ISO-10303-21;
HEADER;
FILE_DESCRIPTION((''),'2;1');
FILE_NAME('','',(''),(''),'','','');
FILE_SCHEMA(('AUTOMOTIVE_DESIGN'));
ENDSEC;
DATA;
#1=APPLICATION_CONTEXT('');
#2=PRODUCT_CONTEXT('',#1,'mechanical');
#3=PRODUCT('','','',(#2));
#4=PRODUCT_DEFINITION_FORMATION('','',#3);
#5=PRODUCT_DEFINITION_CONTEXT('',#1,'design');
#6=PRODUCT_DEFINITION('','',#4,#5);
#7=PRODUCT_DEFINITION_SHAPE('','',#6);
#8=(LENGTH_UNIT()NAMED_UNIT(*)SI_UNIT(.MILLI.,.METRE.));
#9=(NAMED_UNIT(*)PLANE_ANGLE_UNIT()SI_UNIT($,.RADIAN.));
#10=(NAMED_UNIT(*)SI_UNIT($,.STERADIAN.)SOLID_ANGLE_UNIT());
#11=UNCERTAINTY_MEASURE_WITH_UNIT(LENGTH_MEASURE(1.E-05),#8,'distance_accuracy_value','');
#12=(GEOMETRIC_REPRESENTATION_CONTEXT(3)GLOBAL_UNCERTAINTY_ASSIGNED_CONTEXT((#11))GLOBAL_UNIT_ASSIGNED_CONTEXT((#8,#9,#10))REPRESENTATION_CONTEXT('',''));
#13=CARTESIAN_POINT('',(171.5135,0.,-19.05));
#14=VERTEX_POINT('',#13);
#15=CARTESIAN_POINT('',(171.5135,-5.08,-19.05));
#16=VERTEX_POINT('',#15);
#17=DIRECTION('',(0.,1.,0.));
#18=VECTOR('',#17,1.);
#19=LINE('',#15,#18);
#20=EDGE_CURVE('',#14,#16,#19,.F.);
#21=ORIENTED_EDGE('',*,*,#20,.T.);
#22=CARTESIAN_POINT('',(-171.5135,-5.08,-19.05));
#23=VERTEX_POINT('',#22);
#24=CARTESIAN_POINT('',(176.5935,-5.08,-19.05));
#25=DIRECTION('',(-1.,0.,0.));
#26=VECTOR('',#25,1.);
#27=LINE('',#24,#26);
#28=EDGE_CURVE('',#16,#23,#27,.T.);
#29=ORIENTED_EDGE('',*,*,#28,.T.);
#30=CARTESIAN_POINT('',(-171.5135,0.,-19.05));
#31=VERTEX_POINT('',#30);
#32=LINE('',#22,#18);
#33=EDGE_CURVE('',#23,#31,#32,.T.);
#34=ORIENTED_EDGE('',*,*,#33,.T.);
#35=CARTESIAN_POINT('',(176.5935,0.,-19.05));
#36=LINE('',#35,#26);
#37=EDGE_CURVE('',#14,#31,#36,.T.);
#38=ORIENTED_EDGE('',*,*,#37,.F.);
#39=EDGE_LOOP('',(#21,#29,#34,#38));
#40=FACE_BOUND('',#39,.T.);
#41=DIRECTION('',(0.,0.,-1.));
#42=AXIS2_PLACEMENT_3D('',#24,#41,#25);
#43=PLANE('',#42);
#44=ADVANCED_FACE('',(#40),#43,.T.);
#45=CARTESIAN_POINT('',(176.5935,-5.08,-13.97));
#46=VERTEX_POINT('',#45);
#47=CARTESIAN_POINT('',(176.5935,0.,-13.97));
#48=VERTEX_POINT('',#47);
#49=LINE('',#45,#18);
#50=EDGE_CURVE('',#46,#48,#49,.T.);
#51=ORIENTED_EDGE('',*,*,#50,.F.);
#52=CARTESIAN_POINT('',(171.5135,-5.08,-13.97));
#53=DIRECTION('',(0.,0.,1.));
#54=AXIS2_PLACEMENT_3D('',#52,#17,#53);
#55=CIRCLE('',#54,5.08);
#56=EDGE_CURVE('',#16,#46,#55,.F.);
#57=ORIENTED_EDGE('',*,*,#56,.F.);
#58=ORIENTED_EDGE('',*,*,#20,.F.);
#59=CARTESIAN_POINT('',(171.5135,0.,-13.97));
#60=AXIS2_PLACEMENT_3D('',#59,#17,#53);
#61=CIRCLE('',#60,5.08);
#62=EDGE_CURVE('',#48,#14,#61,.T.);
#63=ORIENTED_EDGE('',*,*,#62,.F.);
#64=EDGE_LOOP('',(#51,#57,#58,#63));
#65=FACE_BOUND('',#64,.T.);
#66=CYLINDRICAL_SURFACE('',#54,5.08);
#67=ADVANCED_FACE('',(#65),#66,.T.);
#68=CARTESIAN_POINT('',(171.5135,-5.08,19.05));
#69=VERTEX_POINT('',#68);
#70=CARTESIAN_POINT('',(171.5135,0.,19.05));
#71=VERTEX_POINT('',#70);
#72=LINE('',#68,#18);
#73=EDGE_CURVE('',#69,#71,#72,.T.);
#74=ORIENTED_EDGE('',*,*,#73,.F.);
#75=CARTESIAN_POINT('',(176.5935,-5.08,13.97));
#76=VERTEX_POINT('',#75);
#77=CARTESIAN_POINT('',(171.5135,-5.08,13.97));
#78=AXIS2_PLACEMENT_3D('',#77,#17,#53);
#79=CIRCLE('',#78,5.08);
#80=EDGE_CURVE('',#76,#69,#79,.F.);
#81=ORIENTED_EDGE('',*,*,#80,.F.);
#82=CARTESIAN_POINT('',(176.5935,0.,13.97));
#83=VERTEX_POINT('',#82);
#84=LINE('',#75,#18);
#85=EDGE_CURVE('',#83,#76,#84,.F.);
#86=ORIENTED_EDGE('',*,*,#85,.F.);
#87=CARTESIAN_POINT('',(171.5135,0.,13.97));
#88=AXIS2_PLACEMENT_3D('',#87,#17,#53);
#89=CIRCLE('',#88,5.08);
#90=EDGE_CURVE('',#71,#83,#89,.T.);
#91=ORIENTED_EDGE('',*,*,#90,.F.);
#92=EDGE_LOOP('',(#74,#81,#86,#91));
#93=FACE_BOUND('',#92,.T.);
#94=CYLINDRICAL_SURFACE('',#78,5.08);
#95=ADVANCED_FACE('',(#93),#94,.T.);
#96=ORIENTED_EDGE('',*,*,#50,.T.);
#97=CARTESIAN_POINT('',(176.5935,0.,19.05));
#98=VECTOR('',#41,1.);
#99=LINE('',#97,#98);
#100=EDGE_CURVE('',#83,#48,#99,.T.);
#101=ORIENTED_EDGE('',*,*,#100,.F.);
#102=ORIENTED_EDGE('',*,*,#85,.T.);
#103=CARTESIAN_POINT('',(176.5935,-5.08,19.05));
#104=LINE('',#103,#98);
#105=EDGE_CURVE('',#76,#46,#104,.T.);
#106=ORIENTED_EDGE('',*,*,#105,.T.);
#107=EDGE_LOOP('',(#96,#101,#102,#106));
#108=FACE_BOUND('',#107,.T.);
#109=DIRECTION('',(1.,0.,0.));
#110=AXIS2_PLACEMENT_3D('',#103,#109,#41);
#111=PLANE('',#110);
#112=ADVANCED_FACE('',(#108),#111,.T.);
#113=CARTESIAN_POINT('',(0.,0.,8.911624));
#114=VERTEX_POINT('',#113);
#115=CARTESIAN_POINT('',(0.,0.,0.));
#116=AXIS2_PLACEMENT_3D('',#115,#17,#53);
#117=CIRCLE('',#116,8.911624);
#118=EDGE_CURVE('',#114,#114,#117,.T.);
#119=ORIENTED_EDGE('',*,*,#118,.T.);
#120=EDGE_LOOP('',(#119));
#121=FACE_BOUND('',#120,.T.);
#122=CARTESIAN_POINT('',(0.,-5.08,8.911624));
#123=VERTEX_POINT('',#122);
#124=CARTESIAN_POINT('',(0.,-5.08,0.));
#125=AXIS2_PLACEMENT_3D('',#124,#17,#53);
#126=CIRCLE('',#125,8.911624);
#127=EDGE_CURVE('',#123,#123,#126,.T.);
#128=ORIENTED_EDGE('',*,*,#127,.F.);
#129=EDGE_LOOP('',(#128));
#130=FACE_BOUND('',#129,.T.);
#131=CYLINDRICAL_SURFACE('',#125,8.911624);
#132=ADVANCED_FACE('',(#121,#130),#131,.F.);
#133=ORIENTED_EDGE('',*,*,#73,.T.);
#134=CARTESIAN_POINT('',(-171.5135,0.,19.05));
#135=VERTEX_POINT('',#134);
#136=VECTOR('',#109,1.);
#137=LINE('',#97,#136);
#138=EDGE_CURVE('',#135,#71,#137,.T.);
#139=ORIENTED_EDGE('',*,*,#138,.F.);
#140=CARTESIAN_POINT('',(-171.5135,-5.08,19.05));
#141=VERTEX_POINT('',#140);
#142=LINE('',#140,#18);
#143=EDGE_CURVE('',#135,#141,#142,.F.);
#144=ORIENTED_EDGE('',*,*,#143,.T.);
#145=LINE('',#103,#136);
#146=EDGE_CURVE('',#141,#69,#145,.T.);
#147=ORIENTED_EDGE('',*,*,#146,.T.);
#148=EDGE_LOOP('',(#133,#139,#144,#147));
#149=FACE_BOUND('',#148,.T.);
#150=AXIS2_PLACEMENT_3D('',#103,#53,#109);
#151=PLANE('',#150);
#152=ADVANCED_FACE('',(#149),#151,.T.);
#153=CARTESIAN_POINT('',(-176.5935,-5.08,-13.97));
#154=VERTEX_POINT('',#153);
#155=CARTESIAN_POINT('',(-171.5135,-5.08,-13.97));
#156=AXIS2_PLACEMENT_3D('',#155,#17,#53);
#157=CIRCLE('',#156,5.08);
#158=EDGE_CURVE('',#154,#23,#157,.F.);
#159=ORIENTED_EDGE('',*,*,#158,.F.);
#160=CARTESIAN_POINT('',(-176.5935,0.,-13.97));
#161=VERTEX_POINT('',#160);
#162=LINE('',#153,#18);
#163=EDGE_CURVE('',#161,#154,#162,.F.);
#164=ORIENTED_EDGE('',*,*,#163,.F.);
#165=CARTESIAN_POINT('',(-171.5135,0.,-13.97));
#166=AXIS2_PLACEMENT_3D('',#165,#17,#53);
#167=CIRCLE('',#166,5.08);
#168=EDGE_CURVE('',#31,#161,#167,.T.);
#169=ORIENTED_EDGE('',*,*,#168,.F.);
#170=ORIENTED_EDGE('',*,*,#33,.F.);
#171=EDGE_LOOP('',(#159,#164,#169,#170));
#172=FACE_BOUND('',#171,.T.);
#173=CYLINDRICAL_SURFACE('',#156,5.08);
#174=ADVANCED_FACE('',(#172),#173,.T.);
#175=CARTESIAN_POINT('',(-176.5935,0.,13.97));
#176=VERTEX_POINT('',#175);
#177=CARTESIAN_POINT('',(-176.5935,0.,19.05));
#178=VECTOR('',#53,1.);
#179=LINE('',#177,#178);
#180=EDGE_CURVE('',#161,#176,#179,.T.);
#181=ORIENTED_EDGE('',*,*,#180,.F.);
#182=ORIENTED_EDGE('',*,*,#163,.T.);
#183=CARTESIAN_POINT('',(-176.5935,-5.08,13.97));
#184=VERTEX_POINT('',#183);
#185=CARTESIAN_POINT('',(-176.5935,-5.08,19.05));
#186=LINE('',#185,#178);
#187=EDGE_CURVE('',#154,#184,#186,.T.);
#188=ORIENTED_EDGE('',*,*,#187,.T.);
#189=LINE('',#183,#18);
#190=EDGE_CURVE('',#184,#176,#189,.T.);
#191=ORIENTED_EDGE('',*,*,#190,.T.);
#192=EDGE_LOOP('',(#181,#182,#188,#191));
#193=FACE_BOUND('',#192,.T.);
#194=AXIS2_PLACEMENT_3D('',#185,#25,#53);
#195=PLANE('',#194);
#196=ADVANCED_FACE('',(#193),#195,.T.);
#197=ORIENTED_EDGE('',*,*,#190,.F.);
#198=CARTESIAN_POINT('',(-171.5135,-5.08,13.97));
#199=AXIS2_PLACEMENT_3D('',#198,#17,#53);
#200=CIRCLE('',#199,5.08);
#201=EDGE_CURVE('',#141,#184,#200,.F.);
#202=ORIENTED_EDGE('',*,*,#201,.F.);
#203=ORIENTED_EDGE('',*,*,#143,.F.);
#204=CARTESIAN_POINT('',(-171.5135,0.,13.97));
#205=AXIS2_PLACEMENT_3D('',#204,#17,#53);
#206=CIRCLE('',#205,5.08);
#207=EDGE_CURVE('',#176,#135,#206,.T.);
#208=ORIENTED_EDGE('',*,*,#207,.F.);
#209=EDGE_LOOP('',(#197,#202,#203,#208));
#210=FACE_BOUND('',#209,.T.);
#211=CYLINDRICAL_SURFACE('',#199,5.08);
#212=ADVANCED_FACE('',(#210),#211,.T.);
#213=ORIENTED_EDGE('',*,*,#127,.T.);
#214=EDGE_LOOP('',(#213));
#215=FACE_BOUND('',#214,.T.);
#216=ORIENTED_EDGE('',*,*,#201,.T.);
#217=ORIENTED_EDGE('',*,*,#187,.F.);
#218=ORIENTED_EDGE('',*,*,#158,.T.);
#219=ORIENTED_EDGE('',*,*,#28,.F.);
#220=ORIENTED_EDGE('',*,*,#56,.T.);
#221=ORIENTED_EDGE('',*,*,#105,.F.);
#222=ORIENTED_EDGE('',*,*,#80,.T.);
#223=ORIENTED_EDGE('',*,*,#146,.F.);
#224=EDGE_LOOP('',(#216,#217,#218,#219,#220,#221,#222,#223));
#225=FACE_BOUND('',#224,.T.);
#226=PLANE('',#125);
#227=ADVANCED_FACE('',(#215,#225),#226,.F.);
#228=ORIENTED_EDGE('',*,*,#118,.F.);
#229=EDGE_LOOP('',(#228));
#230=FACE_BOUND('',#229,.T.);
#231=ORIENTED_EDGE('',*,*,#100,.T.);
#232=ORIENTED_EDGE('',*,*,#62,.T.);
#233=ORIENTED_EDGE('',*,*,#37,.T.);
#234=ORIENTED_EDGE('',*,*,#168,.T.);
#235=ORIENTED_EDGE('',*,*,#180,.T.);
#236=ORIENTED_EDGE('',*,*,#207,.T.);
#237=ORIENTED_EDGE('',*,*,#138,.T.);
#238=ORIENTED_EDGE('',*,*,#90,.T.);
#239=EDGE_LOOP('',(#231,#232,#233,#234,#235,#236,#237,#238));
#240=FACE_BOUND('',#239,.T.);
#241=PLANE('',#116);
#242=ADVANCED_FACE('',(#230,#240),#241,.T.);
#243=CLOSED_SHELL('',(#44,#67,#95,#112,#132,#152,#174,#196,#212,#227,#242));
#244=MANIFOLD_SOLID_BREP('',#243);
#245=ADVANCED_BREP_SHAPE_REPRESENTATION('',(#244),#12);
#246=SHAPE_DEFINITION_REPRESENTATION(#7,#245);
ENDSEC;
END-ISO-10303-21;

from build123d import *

# Parameters (mm, degrees)
SKETCH1_W           = 353.187
SKETCH1_H           = 38.1
SKETCH1_R           = 8.911624301
BOSS_EXTRUDE1_DEPTH = 5.08
FILLET1_R           = 5.08


with BuildPart() as part:
    # Sketch1 → Boss-Extrude1 (new body)
    with BuildSketch(Plane(origin=(0, 0, 0), x_dir=(1, 0, 0), z_dir=(0, 1, 0))):
        Rectangle(SKETCH1_W, SKETCH1_H)
        with Locations(Location((0, 0, 0), (0, 0, 270))):
            Circle(SKETCH1_R, mode=Mode.SUBTRACT)
    extrude(amount=-BOSS_EXTRUDE1_DEPTH)

    # Fillet1
    fillet1_edges = [part.edges().sort_by_distance(p)[0] for p in [
        (-176.5935, -2.54, -19.05),
        (176.5935, -2.54, -19.05),
        (176.5935, -2.54, 19.05),
        (-176.5935, -2.54, 19.05),
    ]]
    fillet(fillet1_edges, radius=FILLET1_R)


solid = part.part
